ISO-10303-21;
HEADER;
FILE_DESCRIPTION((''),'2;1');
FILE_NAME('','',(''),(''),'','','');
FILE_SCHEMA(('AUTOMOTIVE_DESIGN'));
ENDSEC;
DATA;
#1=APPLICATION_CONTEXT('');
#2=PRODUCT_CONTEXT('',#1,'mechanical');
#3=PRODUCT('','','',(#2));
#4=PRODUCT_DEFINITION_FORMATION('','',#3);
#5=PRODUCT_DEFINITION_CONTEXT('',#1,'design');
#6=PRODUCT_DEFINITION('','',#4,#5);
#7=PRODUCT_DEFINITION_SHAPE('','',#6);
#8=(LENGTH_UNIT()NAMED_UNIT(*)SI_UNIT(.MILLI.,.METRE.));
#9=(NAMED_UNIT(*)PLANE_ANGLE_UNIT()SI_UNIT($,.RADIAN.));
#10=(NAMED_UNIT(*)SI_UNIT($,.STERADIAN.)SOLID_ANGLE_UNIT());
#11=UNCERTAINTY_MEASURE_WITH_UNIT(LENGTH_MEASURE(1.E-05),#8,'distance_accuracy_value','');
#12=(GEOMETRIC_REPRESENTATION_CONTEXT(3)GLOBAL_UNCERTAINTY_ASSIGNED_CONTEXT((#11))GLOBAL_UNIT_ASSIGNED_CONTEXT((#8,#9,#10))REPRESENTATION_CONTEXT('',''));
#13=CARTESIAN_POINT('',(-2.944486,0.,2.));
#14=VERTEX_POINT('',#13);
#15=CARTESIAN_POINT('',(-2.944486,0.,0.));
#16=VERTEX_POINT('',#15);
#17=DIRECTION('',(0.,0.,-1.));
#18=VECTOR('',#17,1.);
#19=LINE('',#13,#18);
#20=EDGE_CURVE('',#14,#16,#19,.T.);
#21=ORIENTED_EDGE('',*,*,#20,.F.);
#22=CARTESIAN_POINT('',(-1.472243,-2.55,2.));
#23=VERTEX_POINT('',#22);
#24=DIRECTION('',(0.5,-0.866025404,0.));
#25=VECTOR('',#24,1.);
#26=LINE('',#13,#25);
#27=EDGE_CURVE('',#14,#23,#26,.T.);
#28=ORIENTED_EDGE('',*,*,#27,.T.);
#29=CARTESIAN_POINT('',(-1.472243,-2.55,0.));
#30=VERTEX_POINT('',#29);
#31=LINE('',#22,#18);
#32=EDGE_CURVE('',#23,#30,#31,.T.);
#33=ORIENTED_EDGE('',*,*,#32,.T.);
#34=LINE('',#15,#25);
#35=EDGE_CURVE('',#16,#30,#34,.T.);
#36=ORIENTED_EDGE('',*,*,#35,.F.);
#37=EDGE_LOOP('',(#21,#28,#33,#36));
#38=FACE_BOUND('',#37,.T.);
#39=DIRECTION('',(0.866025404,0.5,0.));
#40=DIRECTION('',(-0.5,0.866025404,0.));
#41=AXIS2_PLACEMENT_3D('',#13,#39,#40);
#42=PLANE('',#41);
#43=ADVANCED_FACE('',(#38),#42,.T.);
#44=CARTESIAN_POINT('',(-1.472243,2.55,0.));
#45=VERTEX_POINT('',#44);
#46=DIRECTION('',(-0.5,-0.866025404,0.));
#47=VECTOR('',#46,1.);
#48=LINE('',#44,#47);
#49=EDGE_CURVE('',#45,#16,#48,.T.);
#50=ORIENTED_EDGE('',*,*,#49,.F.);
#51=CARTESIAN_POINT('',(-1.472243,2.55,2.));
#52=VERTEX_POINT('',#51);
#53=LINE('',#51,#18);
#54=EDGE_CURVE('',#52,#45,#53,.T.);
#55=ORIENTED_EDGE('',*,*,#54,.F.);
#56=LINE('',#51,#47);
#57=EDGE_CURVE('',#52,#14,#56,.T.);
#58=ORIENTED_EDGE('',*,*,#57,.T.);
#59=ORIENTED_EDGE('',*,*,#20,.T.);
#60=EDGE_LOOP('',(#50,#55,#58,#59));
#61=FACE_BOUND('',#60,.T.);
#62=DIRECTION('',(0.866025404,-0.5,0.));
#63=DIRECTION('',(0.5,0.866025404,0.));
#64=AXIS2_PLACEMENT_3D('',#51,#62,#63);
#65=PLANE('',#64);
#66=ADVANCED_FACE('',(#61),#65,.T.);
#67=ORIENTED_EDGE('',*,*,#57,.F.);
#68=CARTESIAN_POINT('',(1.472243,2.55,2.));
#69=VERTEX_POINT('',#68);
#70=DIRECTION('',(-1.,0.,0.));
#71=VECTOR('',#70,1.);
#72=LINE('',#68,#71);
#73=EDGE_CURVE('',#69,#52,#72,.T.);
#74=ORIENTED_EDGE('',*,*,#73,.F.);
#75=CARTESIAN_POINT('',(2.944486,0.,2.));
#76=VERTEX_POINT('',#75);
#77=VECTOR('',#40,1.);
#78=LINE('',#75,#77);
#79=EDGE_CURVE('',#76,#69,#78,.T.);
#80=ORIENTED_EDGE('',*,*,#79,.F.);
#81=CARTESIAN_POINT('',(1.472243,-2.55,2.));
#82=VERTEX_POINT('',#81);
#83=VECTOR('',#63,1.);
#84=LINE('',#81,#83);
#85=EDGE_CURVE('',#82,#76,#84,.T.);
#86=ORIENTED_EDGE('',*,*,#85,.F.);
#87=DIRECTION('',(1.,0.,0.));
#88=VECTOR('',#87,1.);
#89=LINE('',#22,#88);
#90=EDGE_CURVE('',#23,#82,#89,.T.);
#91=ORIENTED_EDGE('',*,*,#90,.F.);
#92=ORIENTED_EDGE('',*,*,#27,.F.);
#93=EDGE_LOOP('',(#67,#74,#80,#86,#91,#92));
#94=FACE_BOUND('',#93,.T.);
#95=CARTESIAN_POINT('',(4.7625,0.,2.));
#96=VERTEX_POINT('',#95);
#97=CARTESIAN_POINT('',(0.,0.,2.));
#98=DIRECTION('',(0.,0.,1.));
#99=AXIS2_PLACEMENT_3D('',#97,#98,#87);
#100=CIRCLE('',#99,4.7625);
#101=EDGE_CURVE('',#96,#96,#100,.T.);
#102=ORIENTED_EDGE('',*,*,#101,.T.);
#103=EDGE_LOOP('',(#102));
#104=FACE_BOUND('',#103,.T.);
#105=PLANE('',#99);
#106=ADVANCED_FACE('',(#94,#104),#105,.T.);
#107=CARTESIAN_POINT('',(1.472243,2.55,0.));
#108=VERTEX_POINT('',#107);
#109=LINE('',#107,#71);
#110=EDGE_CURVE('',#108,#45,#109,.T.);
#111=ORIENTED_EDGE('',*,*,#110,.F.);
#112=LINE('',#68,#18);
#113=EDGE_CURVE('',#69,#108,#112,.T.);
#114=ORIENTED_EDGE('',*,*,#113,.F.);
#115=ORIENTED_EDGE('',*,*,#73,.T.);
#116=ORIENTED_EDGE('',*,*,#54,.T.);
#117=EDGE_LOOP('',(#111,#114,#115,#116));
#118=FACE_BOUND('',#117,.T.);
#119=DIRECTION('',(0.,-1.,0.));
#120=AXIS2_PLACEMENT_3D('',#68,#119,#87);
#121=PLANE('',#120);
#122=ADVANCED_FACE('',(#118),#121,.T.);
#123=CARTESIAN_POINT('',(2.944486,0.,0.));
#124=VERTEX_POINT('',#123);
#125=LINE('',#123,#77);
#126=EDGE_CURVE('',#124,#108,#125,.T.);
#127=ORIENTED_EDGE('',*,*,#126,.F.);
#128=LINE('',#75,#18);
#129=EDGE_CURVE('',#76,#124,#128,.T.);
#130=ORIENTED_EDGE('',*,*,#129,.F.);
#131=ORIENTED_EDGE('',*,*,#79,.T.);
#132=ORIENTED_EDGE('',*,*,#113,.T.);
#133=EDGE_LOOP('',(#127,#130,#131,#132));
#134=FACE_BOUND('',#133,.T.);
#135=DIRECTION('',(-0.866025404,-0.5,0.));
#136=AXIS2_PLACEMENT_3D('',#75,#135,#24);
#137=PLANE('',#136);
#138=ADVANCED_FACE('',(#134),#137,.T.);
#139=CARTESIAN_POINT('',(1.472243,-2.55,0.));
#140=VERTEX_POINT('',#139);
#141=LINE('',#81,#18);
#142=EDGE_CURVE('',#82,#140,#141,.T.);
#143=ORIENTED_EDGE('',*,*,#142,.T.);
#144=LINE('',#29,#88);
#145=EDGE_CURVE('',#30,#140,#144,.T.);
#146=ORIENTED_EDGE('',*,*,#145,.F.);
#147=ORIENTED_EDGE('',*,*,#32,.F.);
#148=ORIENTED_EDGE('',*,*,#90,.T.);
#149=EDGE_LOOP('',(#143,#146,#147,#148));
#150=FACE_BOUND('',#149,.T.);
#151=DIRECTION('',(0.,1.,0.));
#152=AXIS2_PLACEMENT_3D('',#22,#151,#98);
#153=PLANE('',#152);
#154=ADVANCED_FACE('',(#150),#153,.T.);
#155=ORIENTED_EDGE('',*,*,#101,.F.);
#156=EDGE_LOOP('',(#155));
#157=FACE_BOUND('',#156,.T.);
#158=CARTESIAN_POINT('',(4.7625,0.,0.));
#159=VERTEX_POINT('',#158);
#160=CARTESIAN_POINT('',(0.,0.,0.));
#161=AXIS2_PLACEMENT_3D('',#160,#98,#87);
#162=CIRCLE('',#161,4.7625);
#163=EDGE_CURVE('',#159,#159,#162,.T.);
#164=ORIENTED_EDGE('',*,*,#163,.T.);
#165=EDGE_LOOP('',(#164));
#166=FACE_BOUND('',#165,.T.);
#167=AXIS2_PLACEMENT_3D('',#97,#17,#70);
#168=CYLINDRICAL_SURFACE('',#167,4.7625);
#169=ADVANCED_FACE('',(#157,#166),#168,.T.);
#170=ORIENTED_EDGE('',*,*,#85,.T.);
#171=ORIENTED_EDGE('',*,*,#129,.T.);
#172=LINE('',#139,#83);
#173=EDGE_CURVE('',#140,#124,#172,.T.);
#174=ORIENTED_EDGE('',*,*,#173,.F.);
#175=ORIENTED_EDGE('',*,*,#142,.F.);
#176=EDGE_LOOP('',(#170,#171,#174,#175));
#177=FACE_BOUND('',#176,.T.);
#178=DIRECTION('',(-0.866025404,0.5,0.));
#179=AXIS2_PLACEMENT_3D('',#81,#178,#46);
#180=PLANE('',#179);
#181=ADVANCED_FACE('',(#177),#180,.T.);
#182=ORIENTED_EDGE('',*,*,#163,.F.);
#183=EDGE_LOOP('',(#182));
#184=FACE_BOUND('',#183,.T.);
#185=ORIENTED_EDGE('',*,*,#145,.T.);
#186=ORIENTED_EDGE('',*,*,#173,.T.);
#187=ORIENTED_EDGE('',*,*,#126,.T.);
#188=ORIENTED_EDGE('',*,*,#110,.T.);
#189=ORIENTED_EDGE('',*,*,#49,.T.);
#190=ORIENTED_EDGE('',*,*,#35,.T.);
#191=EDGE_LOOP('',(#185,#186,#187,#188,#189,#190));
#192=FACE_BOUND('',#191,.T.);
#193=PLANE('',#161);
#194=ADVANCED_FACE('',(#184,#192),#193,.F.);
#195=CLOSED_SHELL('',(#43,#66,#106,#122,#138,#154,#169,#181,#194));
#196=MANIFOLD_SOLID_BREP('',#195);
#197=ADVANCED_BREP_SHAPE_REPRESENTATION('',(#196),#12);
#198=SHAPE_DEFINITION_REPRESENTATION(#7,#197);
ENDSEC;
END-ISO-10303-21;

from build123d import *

# Parameters (mm, degrees)
SKETCH1_R           = 4.7625
BOSS_EXTRUDE1_DEPTH = 2


with BuildPart() as part:
    # Sketch1 → Boss-Extrude1 (new body)
    with BuildSketch(Plane.XY):
        Circle(SKETCH1_R)
        Polygon((2.944486373, 0), (1.472243186, 2.55), (-1.472243186, 2.55), (-2.944486373, 0), (-1.472243186, -2.55), (1.472243186, -2.55), align=None, mode=Mode.SUBTRACT)
    extrude(amount=BOSS_EXTRUDE1_DEPTH)


solid = part.part
